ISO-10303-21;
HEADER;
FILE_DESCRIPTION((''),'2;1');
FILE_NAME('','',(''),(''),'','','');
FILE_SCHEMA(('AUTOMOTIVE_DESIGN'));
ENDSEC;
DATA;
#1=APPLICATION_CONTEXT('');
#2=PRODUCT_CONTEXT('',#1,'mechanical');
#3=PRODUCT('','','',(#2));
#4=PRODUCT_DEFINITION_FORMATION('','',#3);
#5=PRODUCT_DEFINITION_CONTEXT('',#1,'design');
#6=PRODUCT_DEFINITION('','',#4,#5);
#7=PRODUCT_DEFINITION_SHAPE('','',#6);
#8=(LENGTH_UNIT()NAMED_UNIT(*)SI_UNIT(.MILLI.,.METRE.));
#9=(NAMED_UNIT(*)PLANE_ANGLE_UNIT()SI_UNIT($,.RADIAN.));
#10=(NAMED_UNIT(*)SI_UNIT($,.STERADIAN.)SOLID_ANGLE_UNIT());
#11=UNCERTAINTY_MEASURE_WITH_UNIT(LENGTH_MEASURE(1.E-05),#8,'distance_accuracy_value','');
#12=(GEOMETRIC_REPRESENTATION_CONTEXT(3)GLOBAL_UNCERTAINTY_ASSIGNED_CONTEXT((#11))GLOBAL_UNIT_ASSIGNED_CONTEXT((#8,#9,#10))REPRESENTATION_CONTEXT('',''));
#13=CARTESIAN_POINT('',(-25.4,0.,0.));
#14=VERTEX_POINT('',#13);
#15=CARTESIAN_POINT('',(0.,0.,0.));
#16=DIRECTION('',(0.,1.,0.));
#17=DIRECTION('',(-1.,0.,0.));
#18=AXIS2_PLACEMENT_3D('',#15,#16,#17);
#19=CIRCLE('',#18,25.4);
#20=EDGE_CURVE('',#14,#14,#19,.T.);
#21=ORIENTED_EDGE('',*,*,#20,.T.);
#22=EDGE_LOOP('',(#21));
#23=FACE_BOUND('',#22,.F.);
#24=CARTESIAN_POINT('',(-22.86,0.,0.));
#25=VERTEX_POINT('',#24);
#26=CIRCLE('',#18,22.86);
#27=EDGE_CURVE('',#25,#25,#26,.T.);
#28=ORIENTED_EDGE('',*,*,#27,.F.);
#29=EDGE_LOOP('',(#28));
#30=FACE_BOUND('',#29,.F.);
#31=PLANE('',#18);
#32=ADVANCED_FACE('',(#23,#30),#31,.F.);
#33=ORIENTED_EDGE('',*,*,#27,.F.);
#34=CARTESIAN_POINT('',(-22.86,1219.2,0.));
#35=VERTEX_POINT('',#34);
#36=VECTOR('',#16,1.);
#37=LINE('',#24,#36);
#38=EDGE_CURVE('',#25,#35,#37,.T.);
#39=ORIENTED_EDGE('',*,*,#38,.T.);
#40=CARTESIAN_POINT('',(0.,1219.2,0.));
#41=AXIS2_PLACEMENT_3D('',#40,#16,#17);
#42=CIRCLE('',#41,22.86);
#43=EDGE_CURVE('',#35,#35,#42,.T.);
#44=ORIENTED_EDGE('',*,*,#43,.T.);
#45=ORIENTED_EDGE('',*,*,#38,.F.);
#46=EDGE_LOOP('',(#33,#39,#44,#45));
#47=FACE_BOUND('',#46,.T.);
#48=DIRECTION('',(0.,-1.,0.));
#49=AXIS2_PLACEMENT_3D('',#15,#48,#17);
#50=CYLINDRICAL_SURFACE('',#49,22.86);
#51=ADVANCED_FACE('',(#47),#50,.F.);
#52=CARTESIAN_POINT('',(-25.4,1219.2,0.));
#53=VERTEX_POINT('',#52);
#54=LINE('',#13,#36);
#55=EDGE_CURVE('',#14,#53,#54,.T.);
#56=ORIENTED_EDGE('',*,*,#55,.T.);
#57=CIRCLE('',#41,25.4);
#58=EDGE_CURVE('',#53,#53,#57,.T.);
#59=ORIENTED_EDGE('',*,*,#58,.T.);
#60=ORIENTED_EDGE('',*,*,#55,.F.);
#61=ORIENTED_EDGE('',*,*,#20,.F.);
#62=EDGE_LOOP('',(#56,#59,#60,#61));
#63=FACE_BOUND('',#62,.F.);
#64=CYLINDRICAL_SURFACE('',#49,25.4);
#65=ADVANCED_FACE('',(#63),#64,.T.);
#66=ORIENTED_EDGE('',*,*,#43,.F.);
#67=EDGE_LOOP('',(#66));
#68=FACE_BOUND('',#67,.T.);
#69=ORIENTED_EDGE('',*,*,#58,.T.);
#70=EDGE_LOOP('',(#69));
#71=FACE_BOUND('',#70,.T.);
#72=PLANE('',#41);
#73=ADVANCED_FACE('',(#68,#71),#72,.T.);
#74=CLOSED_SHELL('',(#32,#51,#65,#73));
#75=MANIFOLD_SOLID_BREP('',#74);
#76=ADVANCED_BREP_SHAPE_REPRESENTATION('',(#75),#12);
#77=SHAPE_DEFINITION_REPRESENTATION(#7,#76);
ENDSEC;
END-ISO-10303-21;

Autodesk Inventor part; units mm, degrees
ref_plane "YZ Plane" through (0, 0, 0) normal (1, 0, 0) x (0, 1, 0)
ref_plane "XZ Plane" through (0, 0, 0) normal (0, 1, 0) x (-1, 0, 0)
ref_plane "XY Plane" through (0, 0, 0) normal (0, 0, 1) x (1, 0, 0)
sketch "Sketch1" plane through (0, 0, 0) normal (0, 1, 0) x (-1, 0, 0)
  circle A0 centre (0, 0) radius 25.4
  circle A1 centre (0, 0) radius 22.86
  dimension "d0" = 50.8
  dimension "d2" = 2.54
extrude "Extrusion1" add sketch "Sketch1" along normal blind 1219.2
properties part number "2p3pse" material "Steel, Alloy"
